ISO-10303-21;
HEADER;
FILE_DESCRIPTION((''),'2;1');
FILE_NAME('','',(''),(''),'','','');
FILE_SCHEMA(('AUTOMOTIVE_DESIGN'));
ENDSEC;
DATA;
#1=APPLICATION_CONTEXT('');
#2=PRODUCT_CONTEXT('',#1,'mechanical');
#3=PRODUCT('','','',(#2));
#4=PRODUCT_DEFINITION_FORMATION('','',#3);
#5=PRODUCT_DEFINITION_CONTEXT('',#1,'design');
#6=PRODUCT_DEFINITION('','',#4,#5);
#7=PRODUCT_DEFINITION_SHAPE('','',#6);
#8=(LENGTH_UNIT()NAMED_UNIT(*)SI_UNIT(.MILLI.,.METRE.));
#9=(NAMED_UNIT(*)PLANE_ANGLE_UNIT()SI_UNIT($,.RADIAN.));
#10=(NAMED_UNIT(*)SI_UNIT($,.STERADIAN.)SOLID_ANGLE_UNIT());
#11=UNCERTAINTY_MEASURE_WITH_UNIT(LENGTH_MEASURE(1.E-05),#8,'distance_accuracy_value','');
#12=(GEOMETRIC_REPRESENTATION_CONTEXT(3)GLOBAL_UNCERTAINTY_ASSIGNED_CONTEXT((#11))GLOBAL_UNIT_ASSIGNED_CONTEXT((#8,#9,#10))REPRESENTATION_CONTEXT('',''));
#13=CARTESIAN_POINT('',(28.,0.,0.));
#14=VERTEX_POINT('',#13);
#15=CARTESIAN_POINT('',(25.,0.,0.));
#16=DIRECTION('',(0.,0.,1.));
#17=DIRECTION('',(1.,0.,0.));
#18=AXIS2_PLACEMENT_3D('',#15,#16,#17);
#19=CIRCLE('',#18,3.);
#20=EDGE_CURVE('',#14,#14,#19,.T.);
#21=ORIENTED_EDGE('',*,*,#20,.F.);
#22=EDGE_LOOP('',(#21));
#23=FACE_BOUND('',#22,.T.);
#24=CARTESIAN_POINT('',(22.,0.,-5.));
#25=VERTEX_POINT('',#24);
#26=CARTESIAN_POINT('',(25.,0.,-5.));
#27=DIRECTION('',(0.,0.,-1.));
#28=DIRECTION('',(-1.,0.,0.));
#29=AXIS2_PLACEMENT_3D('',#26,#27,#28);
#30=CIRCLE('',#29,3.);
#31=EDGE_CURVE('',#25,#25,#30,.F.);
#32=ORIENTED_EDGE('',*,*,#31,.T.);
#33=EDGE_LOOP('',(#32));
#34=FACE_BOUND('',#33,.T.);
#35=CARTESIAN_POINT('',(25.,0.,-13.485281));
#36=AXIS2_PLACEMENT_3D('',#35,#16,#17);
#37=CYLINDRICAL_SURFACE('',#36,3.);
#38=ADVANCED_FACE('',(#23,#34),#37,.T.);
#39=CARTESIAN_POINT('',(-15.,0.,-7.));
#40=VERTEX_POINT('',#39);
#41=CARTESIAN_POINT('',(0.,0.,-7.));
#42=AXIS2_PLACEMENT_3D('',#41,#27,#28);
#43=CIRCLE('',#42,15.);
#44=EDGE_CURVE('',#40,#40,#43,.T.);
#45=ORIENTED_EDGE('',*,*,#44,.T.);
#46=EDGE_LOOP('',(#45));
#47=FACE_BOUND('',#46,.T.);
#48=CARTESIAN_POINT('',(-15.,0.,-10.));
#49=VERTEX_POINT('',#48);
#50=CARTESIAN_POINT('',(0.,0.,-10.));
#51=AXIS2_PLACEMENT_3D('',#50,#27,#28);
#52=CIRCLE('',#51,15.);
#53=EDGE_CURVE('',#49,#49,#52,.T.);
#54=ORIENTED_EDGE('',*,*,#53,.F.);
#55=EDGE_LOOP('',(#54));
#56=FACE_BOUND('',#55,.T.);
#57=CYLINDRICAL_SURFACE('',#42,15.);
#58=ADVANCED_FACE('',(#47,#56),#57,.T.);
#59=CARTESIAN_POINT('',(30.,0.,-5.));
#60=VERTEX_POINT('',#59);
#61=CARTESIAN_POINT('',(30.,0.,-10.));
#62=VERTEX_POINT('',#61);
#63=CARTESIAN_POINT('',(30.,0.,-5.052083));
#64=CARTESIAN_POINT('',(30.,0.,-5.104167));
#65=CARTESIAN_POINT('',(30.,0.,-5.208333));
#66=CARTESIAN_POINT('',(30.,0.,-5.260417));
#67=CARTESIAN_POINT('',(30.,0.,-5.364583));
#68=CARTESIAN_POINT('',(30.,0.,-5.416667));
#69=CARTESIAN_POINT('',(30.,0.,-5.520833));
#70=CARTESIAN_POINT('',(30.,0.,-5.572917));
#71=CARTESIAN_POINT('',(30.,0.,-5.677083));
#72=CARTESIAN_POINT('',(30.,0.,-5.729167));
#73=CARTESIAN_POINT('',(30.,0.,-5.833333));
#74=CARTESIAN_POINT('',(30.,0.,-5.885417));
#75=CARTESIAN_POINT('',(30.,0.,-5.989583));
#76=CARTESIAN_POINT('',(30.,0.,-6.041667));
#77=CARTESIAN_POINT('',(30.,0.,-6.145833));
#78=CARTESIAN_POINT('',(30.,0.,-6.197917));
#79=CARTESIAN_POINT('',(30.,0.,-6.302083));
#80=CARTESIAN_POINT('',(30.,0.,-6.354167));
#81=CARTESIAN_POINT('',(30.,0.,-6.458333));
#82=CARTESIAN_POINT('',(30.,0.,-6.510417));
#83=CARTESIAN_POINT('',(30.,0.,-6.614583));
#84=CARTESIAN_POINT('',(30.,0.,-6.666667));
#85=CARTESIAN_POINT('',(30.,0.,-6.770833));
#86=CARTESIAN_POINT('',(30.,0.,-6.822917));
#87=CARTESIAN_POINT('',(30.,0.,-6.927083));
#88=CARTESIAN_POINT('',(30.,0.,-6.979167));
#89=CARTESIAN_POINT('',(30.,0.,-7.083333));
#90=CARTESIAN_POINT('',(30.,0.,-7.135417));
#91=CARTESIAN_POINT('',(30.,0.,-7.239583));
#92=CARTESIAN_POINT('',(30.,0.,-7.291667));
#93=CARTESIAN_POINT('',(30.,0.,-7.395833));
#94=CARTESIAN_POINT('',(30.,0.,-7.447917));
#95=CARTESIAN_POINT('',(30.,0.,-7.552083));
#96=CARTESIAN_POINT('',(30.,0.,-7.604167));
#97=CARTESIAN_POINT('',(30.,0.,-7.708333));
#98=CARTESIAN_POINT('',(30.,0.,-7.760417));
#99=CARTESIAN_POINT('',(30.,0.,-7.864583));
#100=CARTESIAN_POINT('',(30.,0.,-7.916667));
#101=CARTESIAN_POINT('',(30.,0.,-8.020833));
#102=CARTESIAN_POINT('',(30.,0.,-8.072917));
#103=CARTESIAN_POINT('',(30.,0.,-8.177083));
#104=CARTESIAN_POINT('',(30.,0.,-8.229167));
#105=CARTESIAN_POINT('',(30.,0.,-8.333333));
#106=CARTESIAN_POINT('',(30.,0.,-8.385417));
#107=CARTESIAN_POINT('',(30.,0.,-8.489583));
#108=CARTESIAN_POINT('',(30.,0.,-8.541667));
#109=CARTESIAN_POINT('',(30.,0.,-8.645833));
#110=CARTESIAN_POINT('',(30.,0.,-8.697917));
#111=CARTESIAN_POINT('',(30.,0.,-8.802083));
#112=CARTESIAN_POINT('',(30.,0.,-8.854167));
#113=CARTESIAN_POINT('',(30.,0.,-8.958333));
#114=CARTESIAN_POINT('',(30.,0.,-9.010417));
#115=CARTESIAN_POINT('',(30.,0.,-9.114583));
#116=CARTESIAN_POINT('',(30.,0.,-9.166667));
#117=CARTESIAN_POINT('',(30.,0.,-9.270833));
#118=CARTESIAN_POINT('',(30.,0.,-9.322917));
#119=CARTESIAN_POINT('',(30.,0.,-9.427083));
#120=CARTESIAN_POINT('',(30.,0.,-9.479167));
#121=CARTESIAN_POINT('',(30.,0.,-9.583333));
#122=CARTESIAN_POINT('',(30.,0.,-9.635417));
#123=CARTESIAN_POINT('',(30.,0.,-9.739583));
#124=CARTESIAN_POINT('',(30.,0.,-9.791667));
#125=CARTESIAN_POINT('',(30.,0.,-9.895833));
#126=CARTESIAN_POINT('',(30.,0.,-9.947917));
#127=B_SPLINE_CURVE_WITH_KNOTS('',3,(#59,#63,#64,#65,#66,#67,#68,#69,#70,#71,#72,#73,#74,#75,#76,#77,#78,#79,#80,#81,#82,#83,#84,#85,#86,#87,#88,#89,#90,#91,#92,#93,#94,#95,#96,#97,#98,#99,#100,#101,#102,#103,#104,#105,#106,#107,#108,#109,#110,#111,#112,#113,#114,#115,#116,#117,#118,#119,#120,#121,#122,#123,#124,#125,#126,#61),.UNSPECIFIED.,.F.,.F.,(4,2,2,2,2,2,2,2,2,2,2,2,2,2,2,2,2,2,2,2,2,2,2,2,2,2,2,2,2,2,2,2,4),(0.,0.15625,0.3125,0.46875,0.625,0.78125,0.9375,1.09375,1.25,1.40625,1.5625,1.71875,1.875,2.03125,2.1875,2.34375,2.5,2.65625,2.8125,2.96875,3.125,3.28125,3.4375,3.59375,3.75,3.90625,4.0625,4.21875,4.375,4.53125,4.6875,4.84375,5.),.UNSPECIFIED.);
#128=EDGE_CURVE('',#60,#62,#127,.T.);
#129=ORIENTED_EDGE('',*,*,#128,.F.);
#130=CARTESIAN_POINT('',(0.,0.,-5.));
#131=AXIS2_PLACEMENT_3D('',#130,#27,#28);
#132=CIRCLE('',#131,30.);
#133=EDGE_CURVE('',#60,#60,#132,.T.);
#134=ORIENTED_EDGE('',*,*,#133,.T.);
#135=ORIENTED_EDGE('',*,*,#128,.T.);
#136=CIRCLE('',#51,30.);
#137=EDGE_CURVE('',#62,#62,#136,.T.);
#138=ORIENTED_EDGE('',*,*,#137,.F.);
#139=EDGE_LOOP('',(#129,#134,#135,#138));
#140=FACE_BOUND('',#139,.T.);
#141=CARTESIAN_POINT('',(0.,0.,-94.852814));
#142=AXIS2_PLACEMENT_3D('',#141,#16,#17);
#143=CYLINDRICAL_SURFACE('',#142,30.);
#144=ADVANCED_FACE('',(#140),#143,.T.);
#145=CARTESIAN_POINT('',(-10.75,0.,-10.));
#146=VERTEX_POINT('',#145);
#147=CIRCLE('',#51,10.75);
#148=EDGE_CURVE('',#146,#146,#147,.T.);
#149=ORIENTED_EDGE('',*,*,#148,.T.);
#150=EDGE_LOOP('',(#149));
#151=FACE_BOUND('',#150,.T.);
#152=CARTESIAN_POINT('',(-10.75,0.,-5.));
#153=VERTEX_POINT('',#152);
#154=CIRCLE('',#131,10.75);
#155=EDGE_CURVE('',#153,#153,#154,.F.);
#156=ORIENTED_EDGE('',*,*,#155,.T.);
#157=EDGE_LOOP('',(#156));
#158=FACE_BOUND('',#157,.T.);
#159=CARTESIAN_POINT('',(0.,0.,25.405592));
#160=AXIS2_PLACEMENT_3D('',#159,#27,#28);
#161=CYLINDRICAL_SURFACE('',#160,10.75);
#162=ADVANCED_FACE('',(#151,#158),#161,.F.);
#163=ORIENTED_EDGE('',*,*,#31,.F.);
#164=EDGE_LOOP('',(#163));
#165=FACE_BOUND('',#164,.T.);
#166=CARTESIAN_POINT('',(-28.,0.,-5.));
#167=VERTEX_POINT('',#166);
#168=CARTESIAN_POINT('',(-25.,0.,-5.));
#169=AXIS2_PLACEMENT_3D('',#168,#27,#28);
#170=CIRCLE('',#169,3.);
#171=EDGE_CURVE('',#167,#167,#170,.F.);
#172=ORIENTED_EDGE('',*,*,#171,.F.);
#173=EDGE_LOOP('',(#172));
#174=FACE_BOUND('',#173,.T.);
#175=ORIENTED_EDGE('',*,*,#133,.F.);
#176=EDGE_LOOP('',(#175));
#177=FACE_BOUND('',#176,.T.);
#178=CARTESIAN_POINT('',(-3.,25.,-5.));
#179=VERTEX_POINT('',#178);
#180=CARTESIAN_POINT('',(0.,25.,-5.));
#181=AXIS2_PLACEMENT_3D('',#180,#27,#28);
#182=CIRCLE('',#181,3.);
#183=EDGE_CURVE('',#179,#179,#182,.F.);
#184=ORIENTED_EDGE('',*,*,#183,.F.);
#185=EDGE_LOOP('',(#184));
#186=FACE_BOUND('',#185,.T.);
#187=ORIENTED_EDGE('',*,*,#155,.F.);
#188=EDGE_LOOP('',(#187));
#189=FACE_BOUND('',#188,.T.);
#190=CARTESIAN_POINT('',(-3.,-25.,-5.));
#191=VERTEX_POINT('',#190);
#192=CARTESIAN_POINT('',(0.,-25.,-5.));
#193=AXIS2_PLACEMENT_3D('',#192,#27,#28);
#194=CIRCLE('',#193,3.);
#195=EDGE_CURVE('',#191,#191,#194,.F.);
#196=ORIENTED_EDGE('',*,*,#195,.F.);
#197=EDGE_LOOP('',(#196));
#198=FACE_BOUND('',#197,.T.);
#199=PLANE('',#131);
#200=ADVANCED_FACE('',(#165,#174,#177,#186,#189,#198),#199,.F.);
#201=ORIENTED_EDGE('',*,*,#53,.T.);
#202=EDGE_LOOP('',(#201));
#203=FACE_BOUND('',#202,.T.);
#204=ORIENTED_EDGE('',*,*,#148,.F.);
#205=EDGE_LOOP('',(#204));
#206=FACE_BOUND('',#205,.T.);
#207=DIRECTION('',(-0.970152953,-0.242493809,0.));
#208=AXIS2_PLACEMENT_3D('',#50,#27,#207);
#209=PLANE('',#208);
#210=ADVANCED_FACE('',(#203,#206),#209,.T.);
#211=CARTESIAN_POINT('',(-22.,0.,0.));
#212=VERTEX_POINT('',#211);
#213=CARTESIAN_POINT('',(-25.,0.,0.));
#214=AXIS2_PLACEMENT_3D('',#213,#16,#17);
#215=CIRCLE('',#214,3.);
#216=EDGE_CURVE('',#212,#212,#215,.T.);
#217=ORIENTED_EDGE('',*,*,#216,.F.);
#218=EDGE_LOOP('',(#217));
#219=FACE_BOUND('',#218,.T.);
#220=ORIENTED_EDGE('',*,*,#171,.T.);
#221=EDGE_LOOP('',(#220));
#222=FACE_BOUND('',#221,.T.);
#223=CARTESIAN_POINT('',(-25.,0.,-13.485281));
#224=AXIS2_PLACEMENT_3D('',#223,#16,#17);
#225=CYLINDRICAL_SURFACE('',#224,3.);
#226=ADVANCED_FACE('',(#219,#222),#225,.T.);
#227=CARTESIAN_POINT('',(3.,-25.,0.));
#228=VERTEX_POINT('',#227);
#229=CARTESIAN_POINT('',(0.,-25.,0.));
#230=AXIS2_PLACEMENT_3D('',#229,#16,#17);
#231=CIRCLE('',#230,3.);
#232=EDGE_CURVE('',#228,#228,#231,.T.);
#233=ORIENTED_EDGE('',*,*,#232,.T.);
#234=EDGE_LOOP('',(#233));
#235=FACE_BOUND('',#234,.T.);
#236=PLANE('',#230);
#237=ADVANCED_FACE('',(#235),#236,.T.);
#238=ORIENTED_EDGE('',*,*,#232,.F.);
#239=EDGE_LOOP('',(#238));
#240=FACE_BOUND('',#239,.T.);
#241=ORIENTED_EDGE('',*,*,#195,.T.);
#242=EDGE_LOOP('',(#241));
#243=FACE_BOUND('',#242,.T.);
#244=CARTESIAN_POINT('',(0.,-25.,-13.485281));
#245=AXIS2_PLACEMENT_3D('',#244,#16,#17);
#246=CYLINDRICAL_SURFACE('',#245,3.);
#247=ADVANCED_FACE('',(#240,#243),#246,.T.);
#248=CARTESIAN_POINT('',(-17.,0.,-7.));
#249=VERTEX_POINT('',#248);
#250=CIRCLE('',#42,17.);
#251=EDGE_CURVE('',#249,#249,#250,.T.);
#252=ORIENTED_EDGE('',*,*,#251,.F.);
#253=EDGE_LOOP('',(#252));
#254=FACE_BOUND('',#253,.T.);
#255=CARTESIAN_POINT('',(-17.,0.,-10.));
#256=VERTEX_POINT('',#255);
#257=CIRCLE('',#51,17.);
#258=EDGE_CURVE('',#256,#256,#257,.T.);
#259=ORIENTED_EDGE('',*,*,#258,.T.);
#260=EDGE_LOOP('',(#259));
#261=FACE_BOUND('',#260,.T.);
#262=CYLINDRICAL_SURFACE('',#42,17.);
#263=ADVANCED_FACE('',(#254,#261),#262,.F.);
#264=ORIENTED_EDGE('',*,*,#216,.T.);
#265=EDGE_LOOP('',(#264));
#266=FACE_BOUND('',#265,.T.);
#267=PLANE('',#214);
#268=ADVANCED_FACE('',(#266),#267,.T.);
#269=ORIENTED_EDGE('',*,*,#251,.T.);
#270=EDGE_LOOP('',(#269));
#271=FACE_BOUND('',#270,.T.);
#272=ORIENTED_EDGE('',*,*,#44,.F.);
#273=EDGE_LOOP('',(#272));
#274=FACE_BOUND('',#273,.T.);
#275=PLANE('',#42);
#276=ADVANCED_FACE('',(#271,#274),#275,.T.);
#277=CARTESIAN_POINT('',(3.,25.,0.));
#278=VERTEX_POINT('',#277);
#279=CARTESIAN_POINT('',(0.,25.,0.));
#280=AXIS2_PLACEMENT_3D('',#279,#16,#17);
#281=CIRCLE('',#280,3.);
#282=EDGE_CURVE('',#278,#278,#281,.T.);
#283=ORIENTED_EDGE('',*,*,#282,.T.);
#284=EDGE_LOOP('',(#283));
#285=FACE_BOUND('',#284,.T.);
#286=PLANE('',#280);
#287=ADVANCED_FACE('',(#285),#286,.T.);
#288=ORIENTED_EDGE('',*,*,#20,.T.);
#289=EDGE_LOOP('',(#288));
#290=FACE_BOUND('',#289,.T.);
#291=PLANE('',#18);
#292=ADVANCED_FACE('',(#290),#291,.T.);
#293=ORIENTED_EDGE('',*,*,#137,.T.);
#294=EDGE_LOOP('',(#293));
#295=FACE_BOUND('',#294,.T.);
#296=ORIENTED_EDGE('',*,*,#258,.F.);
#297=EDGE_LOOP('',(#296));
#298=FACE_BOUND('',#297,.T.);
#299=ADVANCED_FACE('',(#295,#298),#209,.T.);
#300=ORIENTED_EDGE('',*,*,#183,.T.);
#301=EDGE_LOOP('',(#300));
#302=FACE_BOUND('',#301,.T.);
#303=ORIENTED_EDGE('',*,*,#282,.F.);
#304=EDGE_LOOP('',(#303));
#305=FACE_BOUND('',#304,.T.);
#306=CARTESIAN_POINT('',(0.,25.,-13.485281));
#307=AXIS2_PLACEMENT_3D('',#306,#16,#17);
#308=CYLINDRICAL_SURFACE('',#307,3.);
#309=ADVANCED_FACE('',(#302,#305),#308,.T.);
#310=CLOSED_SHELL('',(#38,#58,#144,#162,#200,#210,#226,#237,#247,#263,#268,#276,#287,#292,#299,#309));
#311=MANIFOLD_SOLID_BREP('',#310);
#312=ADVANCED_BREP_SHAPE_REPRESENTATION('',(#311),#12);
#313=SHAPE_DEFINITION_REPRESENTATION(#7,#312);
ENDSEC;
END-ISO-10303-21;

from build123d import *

# Parameters (mm, degrees)
SKETCH_1_R          = 3
EXTRUDE_1_DEPTH     = 5
EXTRUDE_1_2_DEPTH   = 5
EXTRUDE_1_3_DEPTH   = 5
EXTRUDE_1_4_DEPTH   = 5
SKETCH_2_R          = 30
EXTRUDE_2_DEPTH     = 5
SKETCH_3_R          = 10.75
CUT_EXTRUDE_1_DEPTH = 5
SKETCH_4_R          = 17
SKETCH_4_R_2        = 15
CUT_EXTRUDE_3_DEPTH = 3


with BuildPart() as part:
    # 草图1 → 凸台-拉伸1 (new body)
    with BuildSketch(Plane.XY):
        with Locations((25, 0)):
            Circle(SKETCH_1_R)
    extrude(amount=-EXTRUDE_1_DEPTH)



with BuildPart() as body_2:
    # 草图1 → Extrude 1 2 (new body)
    with BuildSketch(Plane.XY):
        with Locations((0, -25)):
            Circle(SKETCH_1_R)
    extrude(amount=-EXTRUDE_1_2_DEPTH)


with BuildPart() as body_3:
    # 草图1 → Extrude 1 3 (new body)
    with BuildSketch(Plane.XY):
        with Locations((-25, 0)):
            Circle(SKETCH_1_R)
    extrude(amount=-EXTRUDE_1_3_DEPTH)


with BuildPart() as body_4:
    # 草图1 → Extrude 1 4 (new body)
    with BuildSketch(Plane.XY):
        with Locations((0, 25)):
            Circle(SKETCH_1_R)
    extrude(amount=-EXTRUDE_1_4_DEPTH)


with BuildPart() as part_1:
    add(part.part)

    add(body_2.part)  # 凸台-拉伸2 merges body 2

    add(body_3.part)  # 凸台-拉伸2 merges body 3

    add(body_4.part)  # 凸台-拉伸2 merges body 4
    # 草图2 → 凸台-拉伸2 (add)
    with BuildSketch(Plane(origin=(0, 0, -5), x_dir=(-1, 0, 0), z_dir=(0, 0, -1))):
        with Locations(Location((0, 0, 0), (0, 0, 180))):
            Circle(SKETCH_2_R)
    extrude(amount=EXTRUDE_2_DEPTH)

    # 草图3 → 切除-拉伸1 (cut)
    with BuildSketch(Plane(origin=(0, 0, -10), x_dir=(-1, 0, 0), z_dir=(0, 0, -1))):
        Circle(SKETCH_3_R)
    extrude(amount=-CUT_EXTRUDE_1_DEPTH, mode=Mode.SUBTRACT)

    # 草图4 → 切除-拉伸3 (cut)
    with BuildSketch(Plane(origin=(0, 0, -10), x_dir=(-1, 0, 0), z_dir=(0, 0, -1))):
        Circle(SKETCH_4_R)
        Circle(SKETCH_4_R_2, mode=Mode.SUBTRACT)
    extrude(amount=-CUT_EXTRUDE_3_DEPTH, mode=Mode.SUBTRACT)


solid = part_1.part
